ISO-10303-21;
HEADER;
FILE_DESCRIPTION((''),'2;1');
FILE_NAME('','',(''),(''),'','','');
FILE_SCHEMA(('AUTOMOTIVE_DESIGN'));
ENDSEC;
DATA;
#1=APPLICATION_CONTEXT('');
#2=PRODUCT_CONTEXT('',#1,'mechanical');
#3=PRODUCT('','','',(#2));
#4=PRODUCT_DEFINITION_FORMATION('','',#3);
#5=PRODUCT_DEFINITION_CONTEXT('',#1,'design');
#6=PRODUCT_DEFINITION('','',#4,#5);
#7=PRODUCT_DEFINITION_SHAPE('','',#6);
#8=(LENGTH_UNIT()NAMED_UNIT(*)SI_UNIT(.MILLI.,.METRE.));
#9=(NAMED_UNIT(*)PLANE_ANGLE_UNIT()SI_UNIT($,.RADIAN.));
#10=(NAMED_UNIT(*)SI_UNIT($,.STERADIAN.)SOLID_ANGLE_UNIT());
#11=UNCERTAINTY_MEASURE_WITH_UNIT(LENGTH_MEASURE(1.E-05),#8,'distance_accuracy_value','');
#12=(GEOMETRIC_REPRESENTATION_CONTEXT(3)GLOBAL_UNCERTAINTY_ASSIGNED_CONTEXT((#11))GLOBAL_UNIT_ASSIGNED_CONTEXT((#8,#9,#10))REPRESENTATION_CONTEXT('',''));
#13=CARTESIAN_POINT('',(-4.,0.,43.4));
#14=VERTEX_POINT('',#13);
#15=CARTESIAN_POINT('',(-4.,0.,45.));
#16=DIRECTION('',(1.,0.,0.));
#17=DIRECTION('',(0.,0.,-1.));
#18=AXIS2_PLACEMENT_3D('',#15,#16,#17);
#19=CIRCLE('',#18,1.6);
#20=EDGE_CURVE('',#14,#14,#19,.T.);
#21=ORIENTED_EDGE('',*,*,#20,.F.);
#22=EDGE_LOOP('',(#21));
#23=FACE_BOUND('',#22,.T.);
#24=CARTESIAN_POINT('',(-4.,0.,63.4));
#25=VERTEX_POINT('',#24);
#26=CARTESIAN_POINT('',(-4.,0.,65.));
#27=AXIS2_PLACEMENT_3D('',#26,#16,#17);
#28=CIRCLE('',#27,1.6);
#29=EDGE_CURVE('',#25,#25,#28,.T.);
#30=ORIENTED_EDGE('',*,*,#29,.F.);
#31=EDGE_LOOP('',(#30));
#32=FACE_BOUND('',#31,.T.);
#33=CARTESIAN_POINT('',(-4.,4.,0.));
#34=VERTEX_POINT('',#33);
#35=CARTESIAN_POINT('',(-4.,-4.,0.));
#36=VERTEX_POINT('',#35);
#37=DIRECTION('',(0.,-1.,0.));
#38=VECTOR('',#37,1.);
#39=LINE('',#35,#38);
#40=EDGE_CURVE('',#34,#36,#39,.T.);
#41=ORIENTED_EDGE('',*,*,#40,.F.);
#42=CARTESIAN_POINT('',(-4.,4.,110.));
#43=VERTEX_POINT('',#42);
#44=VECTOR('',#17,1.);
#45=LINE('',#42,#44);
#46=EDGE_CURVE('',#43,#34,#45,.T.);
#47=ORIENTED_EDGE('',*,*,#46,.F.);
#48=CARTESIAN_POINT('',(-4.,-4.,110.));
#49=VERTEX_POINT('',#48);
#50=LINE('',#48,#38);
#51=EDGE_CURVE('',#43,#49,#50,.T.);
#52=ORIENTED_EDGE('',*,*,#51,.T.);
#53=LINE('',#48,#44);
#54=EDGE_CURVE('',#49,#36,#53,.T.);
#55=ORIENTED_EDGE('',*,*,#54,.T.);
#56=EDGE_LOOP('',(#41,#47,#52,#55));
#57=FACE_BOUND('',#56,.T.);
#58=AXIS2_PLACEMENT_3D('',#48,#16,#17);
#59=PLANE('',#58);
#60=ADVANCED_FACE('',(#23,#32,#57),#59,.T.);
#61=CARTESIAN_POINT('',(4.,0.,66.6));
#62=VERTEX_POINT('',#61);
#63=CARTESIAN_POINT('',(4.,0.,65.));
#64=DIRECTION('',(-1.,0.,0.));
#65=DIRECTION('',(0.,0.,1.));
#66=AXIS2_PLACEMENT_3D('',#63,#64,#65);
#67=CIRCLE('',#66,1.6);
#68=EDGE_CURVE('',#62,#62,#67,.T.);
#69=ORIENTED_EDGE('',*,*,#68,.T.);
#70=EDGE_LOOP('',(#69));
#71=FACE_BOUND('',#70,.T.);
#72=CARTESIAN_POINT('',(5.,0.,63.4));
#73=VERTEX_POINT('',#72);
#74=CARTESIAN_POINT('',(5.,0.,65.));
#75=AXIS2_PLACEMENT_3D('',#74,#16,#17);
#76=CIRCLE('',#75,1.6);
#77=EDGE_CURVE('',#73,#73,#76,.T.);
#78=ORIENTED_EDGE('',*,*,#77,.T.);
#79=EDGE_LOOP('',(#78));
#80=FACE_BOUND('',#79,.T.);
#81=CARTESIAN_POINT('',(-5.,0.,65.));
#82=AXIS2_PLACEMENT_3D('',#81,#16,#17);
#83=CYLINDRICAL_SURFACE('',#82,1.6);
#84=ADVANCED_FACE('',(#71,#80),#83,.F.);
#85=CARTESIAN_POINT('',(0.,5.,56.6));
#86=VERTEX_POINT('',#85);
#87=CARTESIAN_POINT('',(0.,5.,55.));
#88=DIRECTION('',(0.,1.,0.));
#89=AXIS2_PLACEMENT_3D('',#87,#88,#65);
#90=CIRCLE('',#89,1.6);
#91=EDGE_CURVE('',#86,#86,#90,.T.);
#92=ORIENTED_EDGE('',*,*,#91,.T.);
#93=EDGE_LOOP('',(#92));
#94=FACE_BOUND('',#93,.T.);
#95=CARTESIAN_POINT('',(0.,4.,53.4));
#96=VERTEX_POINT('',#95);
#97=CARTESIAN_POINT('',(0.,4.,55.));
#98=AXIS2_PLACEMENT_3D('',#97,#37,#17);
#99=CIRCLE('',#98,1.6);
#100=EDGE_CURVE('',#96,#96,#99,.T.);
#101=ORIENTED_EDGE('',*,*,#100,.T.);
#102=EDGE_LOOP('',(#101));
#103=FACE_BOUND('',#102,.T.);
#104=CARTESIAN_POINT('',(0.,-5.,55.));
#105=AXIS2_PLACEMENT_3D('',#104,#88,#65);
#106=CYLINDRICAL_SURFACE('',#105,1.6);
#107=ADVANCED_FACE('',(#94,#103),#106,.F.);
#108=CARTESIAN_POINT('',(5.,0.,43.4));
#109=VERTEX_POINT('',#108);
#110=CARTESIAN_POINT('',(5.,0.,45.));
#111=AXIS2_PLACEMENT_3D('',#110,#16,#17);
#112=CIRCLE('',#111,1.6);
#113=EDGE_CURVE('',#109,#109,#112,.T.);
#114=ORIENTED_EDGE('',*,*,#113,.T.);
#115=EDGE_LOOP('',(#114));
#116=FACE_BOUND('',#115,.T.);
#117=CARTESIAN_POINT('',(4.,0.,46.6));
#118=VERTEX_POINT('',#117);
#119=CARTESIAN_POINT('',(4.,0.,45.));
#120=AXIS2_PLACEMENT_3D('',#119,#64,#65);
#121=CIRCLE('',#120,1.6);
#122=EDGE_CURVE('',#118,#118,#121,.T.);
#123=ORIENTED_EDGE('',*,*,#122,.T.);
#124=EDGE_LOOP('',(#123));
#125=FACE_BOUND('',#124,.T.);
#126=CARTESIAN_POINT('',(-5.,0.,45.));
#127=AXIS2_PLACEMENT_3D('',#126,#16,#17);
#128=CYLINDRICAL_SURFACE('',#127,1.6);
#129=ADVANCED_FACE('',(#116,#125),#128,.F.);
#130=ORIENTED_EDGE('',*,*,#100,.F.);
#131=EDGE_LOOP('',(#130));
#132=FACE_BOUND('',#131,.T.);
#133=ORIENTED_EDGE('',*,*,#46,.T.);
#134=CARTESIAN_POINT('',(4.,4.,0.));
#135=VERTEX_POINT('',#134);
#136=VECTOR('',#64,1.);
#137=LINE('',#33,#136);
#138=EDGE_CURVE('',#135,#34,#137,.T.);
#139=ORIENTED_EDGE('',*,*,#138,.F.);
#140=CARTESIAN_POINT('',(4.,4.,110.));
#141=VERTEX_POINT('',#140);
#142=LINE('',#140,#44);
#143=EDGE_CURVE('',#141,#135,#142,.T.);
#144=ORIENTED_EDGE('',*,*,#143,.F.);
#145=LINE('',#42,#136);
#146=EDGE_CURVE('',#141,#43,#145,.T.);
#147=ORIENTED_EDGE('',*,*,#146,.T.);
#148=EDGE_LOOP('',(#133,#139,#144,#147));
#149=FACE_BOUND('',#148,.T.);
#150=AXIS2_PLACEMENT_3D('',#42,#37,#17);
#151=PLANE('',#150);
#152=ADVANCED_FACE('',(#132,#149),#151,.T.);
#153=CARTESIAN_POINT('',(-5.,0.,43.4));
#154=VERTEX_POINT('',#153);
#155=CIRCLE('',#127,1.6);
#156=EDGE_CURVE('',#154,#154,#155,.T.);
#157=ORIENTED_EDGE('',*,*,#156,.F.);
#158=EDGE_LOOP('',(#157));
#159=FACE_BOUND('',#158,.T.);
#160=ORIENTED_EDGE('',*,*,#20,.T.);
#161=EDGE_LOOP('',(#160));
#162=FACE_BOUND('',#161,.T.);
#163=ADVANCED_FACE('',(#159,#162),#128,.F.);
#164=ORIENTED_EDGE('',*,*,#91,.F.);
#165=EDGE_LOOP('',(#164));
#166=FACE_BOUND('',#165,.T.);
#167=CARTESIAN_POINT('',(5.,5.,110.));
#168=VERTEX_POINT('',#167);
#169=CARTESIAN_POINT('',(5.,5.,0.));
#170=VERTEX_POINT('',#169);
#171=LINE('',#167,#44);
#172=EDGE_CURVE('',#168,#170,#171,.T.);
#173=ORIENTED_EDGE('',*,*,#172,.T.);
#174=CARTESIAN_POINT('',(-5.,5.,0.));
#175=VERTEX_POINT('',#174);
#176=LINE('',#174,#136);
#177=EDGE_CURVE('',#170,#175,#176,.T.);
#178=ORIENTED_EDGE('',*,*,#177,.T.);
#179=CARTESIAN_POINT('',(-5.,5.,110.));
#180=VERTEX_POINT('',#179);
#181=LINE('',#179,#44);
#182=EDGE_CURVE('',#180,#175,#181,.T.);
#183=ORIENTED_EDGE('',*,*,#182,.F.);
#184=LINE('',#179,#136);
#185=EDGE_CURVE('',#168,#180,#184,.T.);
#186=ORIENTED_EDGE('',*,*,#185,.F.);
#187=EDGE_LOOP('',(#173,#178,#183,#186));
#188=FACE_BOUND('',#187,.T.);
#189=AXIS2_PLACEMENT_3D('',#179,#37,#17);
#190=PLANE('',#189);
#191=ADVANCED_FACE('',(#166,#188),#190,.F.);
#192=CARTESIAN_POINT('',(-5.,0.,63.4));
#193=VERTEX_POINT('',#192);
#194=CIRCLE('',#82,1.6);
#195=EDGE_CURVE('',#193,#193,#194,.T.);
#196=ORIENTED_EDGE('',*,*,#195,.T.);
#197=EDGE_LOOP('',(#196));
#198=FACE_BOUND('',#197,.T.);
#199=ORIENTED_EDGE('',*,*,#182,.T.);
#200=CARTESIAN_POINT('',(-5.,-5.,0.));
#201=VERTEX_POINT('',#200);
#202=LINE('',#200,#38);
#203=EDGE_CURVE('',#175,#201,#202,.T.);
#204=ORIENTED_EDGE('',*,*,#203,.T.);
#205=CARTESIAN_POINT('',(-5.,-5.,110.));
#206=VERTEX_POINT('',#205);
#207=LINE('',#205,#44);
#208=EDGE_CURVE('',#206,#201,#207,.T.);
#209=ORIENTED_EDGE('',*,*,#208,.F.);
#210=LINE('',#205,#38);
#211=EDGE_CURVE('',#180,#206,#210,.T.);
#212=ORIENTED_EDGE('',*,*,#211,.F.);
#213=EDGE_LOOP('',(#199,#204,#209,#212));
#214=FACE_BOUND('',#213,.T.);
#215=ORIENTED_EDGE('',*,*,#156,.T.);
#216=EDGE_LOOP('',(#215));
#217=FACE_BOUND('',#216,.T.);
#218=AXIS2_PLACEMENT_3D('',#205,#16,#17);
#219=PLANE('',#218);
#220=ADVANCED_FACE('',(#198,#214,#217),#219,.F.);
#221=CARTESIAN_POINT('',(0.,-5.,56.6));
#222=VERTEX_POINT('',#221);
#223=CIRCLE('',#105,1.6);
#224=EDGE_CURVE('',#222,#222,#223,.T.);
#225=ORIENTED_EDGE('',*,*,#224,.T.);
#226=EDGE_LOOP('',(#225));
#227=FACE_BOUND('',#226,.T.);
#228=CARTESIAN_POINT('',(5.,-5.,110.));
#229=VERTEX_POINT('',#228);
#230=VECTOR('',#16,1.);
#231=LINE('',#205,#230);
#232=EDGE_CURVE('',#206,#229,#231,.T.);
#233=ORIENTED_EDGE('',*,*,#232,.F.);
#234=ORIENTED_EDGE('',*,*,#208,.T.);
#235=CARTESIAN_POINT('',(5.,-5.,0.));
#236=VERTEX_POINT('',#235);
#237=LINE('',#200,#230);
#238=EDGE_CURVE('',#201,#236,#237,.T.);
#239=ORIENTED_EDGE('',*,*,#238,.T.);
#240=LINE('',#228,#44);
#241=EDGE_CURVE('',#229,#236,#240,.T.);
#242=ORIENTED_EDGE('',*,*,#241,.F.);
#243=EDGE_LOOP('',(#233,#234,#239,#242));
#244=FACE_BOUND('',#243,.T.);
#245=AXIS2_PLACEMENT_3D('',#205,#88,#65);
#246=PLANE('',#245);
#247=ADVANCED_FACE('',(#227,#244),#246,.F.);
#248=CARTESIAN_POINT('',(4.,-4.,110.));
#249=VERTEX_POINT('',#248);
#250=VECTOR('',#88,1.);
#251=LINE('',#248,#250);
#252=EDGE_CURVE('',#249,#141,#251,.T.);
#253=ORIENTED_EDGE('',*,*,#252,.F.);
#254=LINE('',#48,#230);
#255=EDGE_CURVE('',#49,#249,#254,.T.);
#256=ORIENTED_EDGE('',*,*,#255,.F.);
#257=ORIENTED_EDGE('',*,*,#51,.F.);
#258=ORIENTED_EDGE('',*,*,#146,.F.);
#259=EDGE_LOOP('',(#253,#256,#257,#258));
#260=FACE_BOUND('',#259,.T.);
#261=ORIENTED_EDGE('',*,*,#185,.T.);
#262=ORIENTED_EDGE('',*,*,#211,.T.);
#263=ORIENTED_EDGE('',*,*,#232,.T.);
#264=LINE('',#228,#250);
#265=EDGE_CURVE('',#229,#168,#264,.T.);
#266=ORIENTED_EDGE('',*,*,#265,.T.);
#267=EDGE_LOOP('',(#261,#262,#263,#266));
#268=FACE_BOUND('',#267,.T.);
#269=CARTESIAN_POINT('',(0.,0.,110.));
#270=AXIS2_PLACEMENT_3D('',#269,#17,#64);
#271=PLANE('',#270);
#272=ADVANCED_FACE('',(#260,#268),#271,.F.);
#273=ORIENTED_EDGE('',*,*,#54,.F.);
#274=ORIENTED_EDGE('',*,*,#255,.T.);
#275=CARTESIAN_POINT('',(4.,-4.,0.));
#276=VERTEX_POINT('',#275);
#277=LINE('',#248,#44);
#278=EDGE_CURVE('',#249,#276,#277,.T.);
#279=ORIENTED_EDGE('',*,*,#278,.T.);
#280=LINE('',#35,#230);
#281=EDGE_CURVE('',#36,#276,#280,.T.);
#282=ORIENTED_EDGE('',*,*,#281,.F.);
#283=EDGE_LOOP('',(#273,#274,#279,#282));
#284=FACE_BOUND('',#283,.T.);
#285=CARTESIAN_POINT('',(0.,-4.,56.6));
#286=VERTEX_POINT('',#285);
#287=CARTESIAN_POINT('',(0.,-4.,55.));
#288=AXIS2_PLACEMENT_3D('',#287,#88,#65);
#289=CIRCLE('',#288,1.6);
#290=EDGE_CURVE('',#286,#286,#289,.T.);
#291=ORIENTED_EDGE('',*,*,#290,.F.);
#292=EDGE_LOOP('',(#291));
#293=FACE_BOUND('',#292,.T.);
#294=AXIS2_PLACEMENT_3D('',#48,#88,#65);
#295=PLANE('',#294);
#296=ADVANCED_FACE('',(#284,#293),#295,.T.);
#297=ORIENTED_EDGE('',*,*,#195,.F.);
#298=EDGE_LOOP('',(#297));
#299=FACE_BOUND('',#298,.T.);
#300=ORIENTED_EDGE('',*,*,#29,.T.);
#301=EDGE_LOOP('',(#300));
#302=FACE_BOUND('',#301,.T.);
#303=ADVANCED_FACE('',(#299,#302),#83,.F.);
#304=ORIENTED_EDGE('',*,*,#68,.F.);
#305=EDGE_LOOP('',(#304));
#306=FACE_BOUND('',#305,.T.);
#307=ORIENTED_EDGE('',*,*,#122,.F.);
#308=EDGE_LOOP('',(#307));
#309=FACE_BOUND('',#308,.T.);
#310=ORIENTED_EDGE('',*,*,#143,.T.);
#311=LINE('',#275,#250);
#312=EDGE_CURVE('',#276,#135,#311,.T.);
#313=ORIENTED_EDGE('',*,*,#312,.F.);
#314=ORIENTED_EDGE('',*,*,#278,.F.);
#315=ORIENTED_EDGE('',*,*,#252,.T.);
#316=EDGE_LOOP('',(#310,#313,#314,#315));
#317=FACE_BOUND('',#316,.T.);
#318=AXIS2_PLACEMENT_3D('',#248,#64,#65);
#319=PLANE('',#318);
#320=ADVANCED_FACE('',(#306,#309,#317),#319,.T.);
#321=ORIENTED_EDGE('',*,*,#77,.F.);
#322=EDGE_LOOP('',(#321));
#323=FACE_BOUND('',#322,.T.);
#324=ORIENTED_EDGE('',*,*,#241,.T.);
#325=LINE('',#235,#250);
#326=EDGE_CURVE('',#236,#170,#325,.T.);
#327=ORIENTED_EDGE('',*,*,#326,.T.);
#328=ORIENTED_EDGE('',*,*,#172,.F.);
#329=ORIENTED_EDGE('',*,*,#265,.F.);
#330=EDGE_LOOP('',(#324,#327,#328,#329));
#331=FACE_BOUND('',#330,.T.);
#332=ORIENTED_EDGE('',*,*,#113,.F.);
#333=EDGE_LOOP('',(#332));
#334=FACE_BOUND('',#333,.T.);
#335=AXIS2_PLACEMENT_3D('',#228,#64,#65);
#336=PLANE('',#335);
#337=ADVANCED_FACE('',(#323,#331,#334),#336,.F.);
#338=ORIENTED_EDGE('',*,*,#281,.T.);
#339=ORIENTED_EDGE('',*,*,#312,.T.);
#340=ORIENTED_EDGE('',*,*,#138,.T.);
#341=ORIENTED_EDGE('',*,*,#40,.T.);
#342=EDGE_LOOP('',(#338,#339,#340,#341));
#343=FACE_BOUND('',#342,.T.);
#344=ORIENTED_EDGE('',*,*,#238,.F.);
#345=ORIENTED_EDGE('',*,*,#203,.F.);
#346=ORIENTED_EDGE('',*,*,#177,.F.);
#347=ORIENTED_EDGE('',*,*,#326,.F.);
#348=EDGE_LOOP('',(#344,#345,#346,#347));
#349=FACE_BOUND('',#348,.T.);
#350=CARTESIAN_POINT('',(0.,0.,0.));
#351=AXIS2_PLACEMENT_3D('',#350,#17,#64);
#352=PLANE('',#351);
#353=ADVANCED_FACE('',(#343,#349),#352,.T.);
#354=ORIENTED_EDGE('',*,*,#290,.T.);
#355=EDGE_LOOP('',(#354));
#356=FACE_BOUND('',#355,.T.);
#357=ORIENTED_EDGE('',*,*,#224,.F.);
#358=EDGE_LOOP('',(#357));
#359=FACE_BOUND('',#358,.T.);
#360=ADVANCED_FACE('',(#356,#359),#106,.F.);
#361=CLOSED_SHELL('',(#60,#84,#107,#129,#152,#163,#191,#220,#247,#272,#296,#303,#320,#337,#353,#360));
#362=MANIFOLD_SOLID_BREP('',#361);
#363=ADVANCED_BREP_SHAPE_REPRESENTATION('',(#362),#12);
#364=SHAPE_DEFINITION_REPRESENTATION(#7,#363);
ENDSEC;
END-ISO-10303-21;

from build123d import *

# Parameters (mm, degrees)
SKETCH_1_W          = 10
SKETCH_1_H          = 10
SKETCH_1_W_2        = 8
SKETCH_1_H_2        = 8
EXTRUDE_1_DEPTH     = 110
SKETCH_2_R          = 1.6
CUT_EXTRUDE_1_DEPTH = 111.566721937
SKETCH_3_R          = 1.6
CUT_EXTRUDE_2_DEPTH = 111.566721937


with BuildPart() as part:
    # ｽｹｯﾁ1 → ﾎﾞｽ - 押し出し1 (new body)
    with BuildSketch(Plane.XY):
        Rectangle(SKETCH_1_W, SKETCH_1_H)
        Rectangle(SKETCH_1_W_2, SKETCH_1_H_2, mode=Mode.SUBTRACT)
    extrude(amount=EXTRUDE_1_DEPTH)

    # ｽｹｯﾁ2 → ｶｯﾄ - 押し出し1 (cut, through all)
    with BuildSketch(Plane(origin=(0, 5, 0), x_dir=(1, 0, 0), z_dir=(0, 1, 0))):
        with Locations(Location((0, -55, 0), (0, 0, 270))):
            Circle(SKETCH_2_R)
    extrude(amount=-CUT_EXTRUDE_1_DEPTH, mode=Mode.SUBTRACT)

    # ｽｹｯﾁ3 → ｶｯﾄ - 押し出し2 (cut, through all)
    with BuildSketch(Plane(origin=(5, 0, 0), x_dir=(0, 0, -1), z_dir=(1, 0, 0))):
        with Locations((-65, 0)):
            Circle(SKETCH_3_R)
        with Locations((-45, 0)):
            Circle(SKETCH_3_R)
    extrude(amount=-CUT_EXTRUDE_2_DEPTH, mode=Mode.SUBTRACT)


solid = part.part
